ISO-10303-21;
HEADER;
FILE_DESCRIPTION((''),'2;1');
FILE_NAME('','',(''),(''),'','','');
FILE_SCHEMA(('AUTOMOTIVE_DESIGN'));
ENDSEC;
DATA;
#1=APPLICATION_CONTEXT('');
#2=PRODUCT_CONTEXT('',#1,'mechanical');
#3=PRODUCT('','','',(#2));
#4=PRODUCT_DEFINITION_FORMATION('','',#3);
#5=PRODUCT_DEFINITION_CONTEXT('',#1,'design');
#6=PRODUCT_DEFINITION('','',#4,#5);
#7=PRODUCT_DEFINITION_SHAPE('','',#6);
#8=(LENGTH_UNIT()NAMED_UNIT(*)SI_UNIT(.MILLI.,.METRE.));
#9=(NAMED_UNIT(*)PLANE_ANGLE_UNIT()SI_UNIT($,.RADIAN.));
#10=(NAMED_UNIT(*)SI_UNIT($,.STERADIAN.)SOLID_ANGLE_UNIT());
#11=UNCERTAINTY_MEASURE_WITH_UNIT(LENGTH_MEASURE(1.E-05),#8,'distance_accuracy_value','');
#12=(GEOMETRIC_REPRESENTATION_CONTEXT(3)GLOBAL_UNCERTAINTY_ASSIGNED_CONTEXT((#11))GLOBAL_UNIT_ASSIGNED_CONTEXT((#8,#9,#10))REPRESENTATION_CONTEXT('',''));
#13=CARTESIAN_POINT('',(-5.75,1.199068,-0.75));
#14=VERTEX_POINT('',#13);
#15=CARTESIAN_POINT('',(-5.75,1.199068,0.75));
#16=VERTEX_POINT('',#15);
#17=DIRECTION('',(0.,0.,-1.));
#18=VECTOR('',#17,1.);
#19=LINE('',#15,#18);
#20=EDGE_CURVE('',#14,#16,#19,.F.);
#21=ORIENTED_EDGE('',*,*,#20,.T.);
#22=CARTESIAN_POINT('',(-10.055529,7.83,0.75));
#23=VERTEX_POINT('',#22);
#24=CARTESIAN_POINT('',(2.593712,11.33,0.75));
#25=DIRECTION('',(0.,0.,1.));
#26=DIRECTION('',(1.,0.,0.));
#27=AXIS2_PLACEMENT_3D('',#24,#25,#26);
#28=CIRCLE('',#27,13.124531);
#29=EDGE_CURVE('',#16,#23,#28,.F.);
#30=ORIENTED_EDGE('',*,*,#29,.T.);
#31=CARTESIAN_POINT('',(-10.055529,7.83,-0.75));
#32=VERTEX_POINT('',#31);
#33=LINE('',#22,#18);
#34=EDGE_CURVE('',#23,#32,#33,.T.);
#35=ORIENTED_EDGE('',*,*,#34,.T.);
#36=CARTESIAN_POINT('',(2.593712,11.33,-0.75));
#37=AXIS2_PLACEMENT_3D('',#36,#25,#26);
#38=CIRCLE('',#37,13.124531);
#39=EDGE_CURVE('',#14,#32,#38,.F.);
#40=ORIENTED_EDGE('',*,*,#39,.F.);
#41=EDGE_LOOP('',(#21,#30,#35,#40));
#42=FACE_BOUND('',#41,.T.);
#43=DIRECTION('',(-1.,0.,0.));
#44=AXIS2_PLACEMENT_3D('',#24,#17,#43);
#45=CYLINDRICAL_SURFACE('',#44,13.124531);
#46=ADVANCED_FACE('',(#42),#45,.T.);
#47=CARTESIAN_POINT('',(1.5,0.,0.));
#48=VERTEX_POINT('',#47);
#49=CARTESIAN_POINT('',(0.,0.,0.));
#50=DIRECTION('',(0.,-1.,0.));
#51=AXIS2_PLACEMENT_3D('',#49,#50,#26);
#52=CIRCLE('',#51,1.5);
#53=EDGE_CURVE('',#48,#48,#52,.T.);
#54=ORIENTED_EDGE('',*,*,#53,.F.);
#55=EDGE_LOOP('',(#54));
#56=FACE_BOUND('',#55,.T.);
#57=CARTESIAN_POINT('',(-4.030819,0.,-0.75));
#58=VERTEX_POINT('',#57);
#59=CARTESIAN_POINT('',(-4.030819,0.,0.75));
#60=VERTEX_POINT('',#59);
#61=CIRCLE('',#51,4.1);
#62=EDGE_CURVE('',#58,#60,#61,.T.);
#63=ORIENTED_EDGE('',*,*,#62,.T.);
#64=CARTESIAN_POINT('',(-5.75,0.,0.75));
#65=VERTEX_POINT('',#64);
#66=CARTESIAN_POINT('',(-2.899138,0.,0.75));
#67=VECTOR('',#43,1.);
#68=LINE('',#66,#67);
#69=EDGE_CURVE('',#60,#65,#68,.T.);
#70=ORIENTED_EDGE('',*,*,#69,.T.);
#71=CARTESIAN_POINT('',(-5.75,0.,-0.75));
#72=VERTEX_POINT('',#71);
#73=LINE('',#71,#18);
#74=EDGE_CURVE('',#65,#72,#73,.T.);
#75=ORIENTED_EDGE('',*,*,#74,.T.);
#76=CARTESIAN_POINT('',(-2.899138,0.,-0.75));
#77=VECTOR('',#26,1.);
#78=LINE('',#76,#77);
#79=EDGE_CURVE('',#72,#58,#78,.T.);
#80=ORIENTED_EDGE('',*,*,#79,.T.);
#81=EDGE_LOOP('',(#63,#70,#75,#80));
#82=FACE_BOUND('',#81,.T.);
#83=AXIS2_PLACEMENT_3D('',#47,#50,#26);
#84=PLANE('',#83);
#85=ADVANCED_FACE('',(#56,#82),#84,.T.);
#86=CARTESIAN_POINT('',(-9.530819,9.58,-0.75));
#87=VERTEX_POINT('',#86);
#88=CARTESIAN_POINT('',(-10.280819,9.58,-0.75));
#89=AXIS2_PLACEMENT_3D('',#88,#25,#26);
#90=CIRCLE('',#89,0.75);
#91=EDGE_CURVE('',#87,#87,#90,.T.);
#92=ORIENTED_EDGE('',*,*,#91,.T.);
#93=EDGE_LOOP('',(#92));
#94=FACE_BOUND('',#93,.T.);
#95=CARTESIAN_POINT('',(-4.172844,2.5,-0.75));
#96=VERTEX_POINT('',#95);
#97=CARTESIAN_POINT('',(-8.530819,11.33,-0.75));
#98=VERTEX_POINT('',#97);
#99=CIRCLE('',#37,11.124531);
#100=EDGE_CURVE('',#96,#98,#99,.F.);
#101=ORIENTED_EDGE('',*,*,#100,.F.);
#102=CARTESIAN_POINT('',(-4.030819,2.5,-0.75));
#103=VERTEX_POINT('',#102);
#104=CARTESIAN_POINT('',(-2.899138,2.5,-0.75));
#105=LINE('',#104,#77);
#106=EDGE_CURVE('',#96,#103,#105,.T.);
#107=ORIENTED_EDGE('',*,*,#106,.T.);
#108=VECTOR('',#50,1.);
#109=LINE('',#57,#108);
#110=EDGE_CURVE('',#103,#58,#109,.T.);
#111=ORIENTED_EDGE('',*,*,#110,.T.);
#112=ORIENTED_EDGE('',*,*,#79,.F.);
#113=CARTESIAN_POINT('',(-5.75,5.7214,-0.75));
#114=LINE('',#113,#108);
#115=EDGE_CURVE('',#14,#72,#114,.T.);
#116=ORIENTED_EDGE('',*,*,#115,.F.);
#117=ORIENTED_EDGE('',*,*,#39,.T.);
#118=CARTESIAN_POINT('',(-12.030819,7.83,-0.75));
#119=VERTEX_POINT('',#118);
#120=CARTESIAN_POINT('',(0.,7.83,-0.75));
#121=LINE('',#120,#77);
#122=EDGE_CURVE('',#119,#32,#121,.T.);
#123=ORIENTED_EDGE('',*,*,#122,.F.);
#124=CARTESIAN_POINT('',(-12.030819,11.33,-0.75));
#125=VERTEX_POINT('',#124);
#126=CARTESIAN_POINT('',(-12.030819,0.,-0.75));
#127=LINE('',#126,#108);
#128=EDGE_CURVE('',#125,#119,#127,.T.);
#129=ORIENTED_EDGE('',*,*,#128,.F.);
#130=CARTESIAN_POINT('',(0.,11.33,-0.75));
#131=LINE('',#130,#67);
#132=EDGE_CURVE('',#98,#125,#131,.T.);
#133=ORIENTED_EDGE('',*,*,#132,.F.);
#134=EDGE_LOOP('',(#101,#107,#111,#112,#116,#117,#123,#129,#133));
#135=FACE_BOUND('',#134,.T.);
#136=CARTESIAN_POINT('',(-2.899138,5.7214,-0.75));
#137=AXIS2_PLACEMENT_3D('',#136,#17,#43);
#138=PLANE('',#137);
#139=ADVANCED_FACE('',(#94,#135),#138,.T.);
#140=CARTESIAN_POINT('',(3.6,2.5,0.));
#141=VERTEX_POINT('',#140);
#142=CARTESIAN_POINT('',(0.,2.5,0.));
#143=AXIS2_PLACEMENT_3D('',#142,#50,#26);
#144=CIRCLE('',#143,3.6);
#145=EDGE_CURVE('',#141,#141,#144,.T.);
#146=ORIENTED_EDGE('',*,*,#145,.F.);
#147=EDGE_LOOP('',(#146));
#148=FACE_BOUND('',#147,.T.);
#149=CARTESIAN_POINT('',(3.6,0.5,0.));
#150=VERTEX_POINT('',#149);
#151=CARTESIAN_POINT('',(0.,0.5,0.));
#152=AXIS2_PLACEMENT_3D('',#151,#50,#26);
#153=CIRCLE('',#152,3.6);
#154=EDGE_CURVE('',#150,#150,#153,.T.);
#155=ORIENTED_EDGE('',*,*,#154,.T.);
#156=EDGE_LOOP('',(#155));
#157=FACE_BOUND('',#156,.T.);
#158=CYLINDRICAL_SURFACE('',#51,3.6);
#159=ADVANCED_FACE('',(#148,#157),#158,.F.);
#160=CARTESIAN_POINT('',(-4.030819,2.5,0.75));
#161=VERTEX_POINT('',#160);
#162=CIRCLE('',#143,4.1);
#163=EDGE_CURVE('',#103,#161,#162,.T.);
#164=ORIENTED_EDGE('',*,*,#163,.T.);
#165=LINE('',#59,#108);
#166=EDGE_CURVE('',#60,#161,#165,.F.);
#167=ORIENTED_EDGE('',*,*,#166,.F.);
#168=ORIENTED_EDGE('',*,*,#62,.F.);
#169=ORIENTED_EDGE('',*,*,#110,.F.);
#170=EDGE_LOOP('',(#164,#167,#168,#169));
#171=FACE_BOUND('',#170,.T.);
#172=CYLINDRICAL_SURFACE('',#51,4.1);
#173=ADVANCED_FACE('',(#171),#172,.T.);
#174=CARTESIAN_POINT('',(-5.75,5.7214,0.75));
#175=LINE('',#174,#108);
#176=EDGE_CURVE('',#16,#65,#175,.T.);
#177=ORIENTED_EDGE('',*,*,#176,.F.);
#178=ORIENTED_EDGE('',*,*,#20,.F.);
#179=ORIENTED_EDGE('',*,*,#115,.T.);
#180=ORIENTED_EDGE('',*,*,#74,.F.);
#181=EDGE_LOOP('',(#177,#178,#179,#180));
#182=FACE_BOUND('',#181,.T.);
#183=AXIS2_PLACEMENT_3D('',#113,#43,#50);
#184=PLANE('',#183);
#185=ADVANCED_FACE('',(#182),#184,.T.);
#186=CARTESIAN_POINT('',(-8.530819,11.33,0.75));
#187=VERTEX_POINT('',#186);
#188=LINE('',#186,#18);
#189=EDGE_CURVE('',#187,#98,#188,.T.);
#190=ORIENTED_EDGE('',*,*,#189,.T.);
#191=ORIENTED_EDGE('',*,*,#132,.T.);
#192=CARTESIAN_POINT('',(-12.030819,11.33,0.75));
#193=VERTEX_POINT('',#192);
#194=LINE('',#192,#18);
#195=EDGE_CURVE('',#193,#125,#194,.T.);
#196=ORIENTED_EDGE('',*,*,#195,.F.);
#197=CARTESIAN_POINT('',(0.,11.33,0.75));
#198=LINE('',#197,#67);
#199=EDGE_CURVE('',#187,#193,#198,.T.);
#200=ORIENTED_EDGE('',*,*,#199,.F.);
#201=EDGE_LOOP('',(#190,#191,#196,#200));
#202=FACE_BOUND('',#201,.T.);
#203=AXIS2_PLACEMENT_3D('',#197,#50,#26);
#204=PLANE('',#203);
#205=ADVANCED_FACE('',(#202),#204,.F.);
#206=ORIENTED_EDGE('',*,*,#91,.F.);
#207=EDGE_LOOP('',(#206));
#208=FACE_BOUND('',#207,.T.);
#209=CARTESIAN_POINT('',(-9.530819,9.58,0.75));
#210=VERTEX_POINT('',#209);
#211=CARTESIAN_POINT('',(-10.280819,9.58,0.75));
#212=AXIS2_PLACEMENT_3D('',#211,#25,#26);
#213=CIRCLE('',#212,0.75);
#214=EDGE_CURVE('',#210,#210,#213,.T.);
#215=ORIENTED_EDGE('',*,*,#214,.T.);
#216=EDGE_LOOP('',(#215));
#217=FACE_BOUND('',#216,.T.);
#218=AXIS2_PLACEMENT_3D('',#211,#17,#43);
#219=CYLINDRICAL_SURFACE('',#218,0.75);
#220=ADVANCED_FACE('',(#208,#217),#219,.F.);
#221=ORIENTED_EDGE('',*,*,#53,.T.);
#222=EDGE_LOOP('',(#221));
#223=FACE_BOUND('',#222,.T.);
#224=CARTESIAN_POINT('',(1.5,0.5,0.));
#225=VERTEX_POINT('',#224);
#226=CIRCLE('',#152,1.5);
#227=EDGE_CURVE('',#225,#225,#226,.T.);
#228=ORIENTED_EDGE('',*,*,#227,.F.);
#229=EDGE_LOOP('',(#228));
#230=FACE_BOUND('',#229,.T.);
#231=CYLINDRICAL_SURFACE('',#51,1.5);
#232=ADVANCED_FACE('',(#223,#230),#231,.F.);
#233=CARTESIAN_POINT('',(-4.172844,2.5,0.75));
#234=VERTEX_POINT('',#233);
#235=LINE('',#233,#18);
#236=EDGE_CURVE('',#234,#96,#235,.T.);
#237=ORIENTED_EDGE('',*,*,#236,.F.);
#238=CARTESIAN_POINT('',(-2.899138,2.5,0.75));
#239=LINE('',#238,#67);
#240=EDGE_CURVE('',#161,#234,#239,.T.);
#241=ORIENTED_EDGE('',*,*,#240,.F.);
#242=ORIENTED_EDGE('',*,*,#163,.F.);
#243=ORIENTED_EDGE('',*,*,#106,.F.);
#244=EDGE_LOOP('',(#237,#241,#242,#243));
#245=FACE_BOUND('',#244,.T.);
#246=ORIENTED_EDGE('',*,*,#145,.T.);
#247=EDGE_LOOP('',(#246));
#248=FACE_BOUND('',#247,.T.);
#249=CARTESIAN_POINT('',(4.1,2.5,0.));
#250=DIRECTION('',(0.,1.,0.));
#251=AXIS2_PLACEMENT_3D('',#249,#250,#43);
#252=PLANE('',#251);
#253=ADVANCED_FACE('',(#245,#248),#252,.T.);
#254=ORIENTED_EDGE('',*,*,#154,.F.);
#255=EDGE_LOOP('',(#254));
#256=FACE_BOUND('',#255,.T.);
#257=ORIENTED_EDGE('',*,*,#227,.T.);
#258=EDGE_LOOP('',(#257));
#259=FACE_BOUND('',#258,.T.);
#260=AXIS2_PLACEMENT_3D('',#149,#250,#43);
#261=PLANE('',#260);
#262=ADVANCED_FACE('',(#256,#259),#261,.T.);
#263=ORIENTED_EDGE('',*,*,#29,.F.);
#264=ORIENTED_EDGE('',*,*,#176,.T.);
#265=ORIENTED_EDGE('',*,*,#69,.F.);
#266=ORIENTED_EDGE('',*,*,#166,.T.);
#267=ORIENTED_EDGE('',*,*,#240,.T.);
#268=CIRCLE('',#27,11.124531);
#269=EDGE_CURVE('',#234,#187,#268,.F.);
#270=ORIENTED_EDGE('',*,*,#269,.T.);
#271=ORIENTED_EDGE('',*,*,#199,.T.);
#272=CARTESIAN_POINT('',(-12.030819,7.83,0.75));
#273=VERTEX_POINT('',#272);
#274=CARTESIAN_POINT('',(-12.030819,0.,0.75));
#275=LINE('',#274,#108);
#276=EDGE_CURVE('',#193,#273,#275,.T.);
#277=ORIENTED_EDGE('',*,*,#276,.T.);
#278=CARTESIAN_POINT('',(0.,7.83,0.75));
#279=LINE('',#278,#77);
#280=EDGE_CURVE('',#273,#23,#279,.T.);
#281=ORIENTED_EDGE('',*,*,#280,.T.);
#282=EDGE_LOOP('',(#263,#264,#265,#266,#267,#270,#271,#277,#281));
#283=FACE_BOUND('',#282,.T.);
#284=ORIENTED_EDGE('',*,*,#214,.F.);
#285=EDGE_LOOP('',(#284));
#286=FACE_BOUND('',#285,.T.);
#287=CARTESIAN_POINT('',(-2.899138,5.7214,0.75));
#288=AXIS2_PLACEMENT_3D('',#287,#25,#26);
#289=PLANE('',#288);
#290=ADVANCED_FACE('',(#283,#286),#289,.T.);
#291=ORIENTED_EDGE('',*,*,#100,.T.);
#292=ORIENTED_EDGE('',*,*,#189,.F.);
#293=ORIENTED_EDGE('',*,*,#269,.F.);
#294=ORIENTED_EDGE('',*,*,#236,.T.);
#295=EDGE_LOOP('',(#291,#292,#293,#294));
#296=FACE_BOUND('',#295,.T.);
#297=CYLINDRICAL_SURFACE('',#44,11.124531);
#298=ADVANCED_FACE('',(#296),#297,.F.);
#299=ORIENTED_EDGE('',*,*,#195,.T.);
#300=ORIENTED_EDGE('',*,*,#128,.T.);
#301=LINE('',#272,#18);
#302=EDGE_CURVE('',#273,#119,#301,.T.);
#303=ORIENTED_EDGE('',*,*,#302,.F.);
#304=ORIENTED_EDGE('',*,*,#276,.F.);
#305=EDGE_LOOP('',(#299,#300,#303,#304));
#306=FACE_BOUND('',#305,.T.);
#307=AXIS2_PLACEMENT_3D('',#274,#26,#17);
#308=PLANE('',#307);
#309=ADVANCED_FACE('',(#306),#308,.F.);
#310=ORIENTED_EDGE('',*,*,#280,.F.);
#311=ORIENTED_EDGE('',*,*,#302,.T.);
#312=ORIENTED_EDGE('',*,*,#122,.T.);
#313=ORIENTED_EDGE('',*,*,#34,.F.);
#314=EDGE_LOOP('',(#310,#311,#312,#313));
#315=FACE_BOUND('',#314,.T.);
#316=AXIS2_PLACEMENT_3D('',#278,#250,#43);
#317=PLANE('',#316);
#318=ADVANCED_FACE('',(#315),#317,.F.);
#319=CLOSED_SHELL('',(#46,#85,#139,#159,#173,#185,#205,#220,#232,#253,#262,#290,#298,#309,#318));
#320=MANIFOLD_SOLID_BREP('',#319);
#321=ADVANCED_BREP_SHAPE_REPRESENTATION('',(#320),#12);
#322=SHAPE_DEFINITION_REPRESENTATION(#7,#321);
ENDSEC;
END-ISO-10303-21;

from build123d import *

# Parameters (mm, degrees)
SKETCH4_R           = 0.75
BOSS_EXTRUDE1_DEPTH = 1.5
BOSS_EXTRUDE2_REACH = 19.027
SKETCH3_W           = 2.850862197
SKETCH3_H           = 1.5
CUT_EXTRUDE1_START  = -2
SKETCH5_R           = 3.6
CUT_EXTRUDE1_DEPTH  = 2


with BuildPart() as part:
    # Sketch1 → Revolve1 (revolve)
    with BuildSketch(Plane.XY):
        Polygon((4.1, 0), (4.1, 2.5), (3.6, 2.5), (3.6, 0.5), (1.5, 0.5), (1.5, 0), align=None)
    revolve(axis=Axis((0, 0, 0), (0, 1, 0)))

    # Boss-Extrude2: up to this face of the body (flat: up to its plane)
    boss_extrude2_end = Plane(part.part.faces().sort_by_distance((-3.984034488, 2.5, 0))[0])
    # Sketch3 → Boss-Extrude2 (add, up to the picked face)
    with BuildSketch(Plane.XZ, mode=Mode.PRIVATE) as boss_extrude2_sk1:
        with Locations((-4.324568902, 0)):
            Rectangle(SKETCH3_W, SKETCH3_H)
    boss_extrude2_tool1 = split(extrude(boss_extrude2_sk1.sketch, amount=-BOSS_EXTRUDE2_REACH, mode=Mode.PRIVATE), bisect_by=boss_extrude2_end, keep=Keep.BOTH, mode=Mode.PRIVATE)


with BuildPart() as body_2:
    # Sketch4 → Boss-Extrude1 (new body)
    with BuildSketch(Plane.XY.offset(-0.75)):
        with BuildLine():
            Line((-8.530818775, 11.33), (-12.030818775, 11.33))
            Line((-12.030818775, 11.33), (-12.030818775, 7.83))
            Line((-12.030818775, 7.83), (-10.055529403, 7.83))
            ThreePointArc((-10.055529403, 7.83), (-7.808057008, 3.326468933), (-4.030818775, 0))
            Line((-4.030818775, 0), (-4.172844356, 2.5))
            ThreePointArc((-4.172844356, 2.5), (-7.382007257, 6.406565197), (-8.530818775, 11.33))
        make_face()
        with Locations((-10.280818775, 9.58)):
            Circle(SKETCH4_R, mode=Mode.SUBTRACT)
    extrude(amount=BOSS_EXTRUDE1_DEPTH)


with BuildPart() as part_1:
    add(part.part)

    add(body_2.part)  # Boss-Extrude2 merges body 2
    add(boss_extrude2_tool1.solids().sort_by(Axis((-4.324569, 0, 0), (0, 1, 0)))[0])

    # Sketch5 → Cut-Extrude1 (cut)
    with BuildSketch(Plane(origin=(0, 2.5, 0), x_dir=(1, 0, 0), z_dir=(0, 1, 0)).offset(CUT_EXTRUDE1_START)):
        Circle(SKETCH5_R)
    extrude(amount=CUT_EXTRUDE1_DEPTH, mode=Mode.SUBTRACT)


solid = part_1.part
